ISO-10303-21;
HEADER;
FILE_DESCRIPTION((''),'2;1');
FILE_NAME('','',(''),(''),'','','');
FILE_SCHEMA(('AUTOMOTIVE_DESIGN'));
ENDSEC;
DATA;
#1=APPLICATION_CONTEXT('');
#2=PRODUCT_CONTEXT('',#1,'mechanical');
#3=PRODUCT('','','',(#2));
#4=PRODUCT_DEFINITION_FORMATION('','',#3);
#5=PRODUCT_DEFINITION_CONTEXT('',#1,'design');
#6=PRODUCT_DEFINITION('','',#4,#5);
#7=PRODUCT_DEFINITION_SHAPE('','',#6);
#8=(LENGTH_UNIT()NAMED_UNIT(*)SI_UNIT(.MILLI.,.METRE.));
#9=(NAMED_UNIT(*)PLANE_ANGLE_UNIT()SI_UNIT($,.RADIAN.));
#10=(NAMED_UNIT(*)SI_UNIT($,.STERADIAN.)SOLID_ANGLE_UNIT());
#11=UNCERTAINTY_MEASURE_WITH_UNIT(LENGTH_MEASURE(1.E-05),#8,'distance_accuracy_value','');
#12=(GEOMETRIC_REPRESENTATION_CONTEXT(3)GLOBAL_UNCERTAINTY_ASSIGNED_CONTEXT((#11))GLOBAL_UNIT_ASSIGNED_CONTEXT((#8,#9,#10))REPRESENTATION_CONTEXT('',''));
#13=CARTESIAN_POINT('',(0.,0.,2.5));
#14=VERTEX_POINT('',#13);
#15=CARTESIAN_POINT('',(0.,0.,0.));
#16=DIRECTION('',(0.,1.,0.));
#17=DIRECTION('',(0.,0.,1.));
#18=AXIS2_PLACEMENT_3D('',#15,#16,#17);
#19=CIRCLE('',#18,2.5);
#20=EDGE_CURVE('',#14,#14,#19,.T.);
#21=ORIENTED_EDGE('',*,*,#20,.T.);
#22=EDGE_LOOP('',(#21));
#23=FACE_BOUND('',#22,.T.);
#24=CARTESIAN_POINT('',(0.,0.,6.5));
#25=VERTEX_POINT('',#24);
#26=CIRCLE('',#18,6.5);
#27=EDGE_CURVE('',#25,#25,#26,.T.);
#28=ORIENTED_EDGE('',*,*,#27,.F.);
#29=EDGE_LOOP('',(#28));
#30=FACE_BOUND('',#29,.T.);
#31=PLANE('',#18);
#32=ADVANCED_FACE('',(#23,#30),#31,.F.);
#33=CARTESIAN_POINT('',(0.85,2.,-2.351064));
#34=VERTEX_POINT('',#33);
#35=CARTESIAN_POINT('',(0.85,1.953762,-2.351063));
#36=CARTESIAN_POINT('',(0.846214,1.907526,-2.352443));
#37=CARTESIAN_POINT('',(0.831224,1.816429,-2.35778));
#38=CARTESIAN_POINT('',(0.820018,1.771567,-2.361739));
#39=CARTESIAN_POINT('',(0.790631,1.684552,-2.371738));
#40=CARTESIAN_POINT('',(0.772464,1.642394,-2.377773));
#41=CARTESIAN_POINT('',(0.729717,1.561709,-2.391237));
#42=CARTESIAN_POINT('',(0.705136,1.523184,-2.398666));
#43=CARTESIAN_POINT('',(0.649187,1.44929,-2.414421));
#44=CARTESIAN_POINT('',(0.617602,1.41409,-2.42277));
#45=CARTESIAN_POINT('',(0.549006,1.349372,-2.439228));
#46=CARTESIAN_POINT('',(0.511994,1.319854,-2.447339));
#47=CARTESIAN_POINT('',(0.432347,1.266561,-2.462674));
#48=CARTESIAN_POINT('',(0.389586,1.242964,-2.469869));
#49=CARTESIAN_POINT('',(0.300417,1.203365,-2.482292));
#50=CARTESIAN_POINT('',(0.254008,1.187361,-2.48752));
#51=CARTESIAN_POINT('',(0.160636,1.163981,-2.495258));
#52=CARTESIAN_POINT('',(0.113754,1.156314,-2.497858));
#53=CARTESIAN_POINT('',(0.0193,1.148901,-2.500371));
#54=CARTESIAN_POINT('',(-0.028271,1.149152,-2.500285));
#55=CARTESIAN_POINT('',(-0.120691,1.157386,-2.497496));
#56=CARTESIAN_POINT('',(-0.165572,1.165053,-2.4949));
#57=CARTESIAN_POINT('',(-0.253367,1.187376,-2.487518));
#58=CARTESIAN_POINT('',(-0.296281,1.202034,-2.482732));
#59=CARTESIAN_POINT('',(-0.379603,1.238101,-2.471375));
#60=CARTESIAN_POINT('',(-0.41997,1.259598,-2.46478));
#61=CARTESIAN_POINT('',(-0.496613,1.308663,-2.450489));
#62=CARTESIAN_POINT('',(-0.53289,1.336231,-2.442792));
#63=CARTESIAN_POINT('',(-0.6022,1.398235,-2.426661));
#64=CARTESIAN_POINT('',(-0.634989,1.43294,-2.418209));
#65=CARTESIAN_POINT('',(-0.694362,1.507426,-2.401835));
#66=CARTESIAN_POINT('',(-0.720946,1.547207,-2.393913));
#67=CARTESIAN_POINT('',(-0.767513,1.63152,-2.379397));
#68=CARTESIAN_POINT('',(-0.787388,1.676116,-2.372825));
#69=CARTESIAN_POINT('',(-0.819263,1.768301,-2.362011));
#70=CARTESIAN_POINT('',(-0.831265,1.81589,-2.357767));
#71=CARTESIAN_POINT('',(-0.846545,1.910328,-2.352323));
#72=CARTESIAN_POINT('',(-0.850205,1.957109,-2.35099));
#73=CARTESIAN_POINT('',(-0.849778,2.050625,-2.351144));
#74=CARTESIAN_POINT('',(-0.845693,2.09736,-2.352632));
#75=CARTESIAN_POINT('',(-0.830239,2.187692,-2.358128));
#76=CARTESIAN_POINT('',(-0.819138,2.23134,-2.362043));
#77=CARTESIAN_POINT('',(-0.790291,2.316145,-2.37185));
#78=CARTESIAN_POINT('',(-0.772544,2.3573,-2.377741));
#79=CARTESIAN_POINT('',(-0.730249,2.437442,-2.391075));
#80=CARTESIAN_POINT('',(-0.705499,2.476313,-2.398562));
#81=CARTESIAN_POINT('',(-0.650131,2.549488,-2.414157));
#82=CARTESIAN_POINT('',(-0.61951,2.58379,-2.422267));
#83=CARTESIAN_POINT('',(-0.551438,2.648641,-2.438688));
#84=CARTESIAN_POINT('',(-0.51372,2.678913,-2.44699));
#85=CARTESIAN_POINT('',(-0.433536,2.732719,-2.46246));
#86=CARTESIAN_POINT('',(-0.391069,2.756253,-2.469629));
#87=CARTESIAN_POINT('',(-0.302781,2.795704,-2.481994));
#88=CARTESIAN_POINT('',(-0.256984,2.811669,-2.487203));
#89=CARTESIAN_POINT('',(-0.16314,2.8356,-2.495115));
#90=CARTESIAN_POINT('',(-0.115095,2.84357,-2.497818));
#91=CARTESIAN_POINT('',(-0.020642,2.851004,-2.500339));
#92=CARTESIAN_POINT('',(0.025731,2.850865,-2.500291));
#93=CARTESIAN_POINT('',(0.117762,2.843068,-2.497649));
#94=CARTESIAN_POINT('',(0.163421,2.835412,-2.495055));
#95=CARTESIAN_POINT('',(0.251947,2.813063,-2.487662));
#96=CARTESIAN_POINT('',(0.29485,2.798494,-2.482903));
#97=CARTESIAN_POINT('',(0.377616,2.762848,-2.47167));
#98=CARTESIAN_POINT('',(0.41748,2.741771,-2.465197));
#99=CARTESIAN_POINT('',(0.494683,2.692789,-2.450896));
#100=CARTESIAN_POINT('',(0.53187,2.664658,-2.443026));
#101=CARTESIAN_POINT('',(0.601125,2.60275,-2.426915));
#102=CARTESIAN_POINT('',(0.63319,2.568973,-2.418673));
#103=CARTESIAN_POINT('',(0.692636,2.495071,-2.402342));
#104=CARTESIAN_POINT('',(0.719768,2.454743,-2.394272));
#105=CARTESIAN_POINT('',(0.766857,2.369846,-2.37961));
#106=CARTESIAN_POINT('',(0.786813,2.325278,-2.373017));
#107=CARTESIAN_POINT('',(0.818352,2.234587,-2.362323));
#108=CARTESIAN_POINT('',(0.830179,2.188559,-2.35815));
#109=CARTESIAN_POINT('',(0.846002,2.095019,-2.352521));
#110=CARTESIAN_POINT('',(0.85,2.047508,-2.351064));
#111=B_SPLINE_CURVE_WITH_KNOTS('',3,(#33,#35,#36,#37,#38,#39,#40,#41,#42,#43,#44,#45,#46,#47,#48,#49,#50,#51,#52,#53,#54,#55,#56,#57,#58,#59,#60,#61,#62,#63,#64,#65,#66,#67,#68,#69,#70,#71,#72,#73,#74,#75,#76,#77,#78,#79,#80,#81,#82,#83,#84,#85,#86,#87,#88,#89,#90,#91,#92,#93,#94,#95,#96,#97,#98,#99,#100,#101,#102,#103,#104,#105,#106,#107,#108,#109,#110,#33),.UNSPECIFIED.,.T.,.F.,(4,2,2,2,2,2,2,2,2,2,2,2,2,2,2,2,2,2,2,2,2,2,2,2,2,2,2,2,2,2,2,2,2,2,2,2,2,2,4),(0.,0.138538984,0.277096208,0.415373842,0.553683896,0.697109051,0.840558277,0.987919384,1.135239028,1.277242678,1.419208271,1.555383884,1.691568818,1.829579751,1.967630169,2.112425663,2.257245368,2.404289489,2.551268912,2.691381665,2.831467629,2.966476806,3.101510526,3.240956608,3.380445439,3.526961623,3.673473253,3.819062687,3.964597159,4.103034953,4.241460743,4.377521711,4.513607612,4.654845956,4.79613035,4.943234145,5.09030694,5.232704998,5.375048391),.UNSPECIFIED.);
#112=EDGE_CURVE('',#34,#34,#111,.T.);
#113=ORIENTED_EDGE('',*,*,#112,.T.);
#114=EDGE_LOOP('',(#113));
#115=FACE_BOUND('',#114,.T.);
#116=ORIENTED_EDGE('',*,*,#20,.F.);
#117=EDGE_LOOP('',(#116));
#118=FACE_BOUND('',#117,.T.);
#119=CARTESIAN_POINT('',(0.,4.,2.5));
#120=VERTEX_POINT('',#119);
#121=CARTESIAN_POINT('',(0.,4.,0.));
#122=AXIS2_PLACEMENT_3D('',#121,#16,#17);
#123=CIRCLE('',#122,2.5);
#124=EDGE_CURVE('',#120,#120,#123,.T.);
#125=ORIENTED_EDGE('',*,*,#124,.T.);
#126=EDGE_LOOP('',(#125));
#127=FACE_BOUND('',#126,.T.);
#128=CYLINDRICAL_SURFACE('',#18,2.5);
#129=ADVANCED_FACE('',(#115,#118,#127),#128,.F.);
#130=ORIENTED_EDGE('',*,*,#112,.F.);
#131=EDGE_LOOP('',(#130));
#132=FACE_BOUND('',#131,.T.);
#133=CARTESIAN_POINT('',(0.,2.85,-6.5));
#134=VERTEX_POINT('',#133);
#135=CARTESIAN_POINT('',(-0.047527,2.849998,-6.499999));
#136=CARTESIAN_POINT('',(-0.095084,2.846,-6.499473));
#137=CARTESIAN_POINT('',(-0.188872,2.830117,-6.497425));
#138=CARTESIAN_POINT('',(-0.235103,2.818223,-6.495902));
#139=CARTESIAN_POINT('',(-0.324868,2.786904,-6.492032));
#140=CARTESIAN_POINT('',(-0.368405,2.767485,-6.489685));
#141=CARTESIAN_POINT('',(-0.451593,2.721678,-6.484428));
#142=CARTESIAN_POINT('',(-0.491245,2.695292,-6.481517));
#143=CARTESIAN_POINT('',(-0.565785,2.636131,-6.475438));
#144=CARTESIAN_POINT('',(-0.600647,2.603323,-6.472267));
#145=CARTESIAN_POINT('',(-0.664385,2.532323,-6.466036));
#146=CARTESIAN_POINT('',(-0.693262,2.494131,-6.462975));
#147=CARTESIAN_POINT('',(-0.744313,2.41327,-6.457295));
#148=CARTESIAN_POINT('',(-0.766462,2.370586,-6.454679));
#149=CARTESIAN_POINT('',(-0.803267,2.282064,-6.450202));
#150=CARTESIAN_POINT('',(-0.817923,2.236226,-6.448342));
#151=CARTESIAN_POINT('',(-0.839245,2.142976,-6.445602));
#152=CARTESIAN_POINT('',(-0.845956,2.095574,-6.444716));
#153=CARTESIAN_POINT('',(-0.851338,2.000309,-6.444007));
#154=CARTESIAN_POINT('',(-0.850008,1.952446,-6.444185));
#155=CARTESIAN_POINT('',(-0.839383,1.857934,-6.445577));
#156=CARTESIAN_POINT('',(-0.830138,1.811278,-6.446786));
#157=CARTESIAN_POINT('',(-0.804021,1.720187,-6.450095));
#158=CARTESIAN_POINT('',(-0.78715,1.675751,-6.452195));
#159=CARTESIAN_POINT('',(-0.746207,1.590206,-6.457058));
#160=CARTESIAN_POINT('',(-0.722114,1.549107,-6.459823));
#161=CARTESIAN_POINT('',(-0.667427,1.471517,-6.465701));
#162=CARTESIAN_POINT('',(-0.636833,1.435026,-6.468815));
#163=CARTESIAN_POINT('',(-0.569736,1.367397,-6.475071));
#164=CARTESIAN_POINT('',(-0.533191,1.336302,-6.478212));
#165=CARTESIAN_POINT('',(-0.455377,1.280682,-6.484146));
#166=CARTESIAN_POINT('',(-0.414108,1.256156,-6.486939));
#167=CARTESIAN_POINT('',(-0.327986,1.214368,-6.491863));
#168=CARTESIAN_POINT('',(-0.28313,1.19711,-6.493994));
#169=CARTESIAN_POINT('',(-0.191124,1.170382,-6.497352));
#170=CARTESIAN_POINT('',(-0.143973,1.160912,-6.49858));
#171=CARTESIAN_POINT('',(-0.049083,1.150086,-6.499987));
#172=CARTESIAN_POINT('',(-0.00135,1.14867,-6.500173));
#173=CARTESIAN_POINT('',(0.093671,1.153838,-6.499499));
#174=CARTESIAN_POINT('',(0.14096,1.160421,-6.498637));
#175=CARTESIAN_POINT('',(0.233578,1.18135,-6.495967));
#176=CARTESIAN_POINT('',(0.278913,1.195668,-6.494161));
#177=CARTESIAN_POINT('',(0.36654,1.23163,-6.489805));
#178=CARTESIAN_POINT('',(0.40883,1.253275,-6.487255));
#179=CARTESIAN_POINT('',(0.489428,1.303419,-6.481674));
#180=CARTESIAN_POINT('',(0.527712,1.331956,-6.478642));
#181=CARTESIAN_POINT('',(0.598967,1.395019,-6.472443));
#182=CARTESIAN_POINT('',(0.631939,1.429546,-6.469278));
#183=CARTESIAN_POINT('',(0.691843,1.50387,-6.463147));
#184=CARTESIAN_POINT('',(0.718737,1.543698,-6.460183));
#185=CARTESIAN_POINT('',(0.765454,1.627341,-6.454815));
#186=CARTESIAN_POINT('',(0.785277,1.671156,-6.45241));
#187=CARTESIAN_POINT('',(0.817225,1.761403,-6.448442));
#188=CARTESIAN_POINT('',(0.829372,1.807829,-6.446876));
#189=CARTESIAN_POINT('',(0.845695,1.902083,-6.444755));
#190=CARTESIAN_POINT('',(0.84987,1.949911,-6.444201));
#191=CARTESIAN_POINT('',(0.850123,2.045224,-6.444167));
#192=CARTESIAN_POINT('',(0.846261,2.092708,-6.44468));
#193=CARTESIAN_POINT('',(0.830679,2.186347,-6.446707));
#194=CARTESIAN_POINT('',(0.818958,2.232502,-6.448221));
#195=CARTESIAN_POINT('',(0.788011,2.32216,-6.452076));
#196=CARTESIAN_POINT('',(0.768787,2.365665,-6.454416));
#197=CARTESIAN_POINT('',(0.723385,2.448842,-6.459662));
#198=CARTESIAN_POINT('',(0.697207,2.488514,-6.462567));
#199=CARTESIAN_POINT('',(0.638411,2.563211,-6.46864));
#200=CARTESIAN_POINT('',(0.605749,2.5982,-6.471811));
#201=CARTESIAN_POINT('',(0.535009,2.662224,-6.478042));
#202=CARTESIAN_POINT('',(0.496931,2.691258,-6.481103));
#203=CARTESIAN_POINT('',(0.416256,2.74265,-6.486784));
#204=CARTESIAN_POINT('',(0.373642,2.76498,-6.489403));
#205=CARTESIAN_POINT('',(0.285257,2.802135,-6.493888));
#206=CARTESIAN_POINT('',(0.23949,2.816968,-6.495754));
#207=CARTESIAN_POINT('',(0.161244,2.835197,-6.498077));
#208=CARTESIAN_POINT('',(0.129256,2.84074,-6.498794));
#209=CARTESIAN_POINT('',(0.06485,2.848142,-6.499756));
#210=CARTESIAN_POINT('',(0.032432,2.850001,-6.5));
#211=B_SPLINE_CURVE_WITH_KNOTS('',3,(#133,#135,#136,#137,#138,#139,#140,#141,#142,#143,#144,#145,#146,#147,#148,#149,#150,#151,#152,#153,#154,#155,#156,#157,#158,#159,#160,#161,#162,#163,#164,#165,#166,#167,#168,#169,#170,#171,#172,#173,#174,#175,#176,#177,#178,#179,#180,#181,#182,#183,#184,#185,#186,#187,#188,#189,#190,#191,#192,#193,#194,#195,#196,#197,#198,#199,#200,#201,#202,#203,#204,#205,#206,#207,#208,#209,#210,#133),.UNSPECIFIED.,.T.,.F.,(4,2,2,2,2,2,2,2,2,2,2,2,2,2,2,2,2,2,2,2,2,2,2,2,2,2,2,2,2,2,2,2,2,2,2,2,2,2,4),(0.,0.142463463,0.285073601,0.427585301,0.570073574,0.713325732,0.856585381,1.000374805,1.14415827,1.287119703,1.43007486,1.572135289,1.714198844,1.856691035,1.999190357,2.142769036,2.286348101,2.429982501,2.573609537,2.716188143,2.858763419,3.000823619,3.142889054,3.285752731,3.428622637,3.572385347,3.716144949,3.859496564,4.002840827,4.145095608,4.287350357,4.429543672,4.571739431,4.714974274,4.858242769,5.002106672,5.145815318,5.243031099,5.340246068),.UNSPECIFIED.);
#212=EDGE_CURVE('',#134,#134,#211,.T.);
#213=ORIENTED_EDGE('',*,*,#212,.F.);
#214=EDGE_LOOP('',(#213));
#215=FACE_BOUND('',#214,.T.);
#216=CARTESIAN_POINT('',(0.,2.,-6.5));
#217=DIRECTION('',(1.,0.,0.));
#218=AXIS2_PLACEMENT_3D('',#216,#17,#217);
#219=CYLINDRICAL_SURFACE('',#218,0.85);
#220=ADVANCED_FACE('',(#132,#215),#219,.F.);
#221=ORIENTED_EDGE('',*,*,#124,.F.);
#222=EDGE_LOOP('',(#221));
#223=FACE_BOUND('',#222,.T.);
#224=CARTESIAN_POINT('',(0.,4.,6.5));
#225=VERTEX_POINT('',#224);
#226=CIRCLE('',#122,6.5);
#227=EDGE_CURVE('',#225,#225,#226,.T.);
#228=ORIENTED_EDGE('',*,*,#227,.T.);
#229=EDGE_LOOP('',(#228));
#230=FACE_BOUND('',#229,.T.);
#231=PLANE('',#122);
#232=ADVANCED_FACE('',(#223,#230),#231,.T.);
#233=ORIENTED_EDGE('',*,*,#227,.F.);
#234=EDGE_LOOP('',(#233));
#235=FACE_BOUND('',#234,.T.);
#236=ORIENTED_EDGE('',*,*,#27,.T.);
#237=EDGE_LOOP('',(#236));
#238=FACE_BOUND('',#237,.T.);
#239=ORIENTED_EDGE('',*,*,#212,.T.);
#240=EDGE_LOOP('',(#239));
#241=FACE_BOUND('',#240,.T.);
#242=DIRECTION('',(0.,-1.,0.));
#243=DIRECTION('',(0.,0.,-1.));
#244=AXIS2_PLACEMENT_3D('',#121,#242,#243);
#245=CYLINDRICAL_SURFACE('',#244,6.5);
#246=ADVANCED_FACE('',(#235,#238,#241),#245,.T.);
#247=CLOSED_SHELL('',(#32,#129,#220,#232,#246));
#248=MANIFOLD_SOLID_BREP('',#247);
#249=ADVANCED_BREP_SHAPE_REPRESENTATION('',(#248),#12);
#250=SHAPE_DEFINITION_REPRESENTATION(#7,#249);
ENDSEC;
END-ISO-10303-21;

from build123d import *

# Parameters (mm, degrees)
SKETCH1_R           = 6.5
BOSS_EXTRUDE1_DEPTH = 4
SKETCH2_R           = 2.5
CUT_EXTRUDE1_DEPTH  = 11.024968828
SKETCH3_R           = 0.85
CUT_EXTRUDE2_DEPTH  = 11.024968828


with BuildPart() as part:
    # Sketch1 → Boss-Extrude1 (new body)
    with BuildSketch(Plane(origin=(0, 0, 0), x_dir=(1, 0, 0), z_dir=(0, 1, 0))):
        with Locations(Location((0, 0, 0), (0, 0, 270))):
            Circle(SKETCH1_R)
    extrude(amount=BOSS_EXTRUDE1_DEPTH)

    # Sketch2 → Cut-Extrude1 (cut, through all)
    with BuildSketch(Plane(origin=(0, 4, 0), x_dir=(1, 0, 0), z_dir=(0, 1, 0))):
        with Locations(Location((0, 0, 0), (0, 0, 270))):
            Circle(SKETCH2_R)
    extrude(amount=-CUT_EXTRUDE1_DEPTH, mode=Mode.SUBTRACT)

    # Sketch3 → Cut-Extrude2 (cut, through all)
    with BuildSketch(Plane.XY):
        with Locations((0, 2)):
            Circle(SKETCH3_R)
    extrude(amount=-CUT_EXTRUDE2_DEPTH, mode=Mode.SUBTRACT)


solid = part.part
